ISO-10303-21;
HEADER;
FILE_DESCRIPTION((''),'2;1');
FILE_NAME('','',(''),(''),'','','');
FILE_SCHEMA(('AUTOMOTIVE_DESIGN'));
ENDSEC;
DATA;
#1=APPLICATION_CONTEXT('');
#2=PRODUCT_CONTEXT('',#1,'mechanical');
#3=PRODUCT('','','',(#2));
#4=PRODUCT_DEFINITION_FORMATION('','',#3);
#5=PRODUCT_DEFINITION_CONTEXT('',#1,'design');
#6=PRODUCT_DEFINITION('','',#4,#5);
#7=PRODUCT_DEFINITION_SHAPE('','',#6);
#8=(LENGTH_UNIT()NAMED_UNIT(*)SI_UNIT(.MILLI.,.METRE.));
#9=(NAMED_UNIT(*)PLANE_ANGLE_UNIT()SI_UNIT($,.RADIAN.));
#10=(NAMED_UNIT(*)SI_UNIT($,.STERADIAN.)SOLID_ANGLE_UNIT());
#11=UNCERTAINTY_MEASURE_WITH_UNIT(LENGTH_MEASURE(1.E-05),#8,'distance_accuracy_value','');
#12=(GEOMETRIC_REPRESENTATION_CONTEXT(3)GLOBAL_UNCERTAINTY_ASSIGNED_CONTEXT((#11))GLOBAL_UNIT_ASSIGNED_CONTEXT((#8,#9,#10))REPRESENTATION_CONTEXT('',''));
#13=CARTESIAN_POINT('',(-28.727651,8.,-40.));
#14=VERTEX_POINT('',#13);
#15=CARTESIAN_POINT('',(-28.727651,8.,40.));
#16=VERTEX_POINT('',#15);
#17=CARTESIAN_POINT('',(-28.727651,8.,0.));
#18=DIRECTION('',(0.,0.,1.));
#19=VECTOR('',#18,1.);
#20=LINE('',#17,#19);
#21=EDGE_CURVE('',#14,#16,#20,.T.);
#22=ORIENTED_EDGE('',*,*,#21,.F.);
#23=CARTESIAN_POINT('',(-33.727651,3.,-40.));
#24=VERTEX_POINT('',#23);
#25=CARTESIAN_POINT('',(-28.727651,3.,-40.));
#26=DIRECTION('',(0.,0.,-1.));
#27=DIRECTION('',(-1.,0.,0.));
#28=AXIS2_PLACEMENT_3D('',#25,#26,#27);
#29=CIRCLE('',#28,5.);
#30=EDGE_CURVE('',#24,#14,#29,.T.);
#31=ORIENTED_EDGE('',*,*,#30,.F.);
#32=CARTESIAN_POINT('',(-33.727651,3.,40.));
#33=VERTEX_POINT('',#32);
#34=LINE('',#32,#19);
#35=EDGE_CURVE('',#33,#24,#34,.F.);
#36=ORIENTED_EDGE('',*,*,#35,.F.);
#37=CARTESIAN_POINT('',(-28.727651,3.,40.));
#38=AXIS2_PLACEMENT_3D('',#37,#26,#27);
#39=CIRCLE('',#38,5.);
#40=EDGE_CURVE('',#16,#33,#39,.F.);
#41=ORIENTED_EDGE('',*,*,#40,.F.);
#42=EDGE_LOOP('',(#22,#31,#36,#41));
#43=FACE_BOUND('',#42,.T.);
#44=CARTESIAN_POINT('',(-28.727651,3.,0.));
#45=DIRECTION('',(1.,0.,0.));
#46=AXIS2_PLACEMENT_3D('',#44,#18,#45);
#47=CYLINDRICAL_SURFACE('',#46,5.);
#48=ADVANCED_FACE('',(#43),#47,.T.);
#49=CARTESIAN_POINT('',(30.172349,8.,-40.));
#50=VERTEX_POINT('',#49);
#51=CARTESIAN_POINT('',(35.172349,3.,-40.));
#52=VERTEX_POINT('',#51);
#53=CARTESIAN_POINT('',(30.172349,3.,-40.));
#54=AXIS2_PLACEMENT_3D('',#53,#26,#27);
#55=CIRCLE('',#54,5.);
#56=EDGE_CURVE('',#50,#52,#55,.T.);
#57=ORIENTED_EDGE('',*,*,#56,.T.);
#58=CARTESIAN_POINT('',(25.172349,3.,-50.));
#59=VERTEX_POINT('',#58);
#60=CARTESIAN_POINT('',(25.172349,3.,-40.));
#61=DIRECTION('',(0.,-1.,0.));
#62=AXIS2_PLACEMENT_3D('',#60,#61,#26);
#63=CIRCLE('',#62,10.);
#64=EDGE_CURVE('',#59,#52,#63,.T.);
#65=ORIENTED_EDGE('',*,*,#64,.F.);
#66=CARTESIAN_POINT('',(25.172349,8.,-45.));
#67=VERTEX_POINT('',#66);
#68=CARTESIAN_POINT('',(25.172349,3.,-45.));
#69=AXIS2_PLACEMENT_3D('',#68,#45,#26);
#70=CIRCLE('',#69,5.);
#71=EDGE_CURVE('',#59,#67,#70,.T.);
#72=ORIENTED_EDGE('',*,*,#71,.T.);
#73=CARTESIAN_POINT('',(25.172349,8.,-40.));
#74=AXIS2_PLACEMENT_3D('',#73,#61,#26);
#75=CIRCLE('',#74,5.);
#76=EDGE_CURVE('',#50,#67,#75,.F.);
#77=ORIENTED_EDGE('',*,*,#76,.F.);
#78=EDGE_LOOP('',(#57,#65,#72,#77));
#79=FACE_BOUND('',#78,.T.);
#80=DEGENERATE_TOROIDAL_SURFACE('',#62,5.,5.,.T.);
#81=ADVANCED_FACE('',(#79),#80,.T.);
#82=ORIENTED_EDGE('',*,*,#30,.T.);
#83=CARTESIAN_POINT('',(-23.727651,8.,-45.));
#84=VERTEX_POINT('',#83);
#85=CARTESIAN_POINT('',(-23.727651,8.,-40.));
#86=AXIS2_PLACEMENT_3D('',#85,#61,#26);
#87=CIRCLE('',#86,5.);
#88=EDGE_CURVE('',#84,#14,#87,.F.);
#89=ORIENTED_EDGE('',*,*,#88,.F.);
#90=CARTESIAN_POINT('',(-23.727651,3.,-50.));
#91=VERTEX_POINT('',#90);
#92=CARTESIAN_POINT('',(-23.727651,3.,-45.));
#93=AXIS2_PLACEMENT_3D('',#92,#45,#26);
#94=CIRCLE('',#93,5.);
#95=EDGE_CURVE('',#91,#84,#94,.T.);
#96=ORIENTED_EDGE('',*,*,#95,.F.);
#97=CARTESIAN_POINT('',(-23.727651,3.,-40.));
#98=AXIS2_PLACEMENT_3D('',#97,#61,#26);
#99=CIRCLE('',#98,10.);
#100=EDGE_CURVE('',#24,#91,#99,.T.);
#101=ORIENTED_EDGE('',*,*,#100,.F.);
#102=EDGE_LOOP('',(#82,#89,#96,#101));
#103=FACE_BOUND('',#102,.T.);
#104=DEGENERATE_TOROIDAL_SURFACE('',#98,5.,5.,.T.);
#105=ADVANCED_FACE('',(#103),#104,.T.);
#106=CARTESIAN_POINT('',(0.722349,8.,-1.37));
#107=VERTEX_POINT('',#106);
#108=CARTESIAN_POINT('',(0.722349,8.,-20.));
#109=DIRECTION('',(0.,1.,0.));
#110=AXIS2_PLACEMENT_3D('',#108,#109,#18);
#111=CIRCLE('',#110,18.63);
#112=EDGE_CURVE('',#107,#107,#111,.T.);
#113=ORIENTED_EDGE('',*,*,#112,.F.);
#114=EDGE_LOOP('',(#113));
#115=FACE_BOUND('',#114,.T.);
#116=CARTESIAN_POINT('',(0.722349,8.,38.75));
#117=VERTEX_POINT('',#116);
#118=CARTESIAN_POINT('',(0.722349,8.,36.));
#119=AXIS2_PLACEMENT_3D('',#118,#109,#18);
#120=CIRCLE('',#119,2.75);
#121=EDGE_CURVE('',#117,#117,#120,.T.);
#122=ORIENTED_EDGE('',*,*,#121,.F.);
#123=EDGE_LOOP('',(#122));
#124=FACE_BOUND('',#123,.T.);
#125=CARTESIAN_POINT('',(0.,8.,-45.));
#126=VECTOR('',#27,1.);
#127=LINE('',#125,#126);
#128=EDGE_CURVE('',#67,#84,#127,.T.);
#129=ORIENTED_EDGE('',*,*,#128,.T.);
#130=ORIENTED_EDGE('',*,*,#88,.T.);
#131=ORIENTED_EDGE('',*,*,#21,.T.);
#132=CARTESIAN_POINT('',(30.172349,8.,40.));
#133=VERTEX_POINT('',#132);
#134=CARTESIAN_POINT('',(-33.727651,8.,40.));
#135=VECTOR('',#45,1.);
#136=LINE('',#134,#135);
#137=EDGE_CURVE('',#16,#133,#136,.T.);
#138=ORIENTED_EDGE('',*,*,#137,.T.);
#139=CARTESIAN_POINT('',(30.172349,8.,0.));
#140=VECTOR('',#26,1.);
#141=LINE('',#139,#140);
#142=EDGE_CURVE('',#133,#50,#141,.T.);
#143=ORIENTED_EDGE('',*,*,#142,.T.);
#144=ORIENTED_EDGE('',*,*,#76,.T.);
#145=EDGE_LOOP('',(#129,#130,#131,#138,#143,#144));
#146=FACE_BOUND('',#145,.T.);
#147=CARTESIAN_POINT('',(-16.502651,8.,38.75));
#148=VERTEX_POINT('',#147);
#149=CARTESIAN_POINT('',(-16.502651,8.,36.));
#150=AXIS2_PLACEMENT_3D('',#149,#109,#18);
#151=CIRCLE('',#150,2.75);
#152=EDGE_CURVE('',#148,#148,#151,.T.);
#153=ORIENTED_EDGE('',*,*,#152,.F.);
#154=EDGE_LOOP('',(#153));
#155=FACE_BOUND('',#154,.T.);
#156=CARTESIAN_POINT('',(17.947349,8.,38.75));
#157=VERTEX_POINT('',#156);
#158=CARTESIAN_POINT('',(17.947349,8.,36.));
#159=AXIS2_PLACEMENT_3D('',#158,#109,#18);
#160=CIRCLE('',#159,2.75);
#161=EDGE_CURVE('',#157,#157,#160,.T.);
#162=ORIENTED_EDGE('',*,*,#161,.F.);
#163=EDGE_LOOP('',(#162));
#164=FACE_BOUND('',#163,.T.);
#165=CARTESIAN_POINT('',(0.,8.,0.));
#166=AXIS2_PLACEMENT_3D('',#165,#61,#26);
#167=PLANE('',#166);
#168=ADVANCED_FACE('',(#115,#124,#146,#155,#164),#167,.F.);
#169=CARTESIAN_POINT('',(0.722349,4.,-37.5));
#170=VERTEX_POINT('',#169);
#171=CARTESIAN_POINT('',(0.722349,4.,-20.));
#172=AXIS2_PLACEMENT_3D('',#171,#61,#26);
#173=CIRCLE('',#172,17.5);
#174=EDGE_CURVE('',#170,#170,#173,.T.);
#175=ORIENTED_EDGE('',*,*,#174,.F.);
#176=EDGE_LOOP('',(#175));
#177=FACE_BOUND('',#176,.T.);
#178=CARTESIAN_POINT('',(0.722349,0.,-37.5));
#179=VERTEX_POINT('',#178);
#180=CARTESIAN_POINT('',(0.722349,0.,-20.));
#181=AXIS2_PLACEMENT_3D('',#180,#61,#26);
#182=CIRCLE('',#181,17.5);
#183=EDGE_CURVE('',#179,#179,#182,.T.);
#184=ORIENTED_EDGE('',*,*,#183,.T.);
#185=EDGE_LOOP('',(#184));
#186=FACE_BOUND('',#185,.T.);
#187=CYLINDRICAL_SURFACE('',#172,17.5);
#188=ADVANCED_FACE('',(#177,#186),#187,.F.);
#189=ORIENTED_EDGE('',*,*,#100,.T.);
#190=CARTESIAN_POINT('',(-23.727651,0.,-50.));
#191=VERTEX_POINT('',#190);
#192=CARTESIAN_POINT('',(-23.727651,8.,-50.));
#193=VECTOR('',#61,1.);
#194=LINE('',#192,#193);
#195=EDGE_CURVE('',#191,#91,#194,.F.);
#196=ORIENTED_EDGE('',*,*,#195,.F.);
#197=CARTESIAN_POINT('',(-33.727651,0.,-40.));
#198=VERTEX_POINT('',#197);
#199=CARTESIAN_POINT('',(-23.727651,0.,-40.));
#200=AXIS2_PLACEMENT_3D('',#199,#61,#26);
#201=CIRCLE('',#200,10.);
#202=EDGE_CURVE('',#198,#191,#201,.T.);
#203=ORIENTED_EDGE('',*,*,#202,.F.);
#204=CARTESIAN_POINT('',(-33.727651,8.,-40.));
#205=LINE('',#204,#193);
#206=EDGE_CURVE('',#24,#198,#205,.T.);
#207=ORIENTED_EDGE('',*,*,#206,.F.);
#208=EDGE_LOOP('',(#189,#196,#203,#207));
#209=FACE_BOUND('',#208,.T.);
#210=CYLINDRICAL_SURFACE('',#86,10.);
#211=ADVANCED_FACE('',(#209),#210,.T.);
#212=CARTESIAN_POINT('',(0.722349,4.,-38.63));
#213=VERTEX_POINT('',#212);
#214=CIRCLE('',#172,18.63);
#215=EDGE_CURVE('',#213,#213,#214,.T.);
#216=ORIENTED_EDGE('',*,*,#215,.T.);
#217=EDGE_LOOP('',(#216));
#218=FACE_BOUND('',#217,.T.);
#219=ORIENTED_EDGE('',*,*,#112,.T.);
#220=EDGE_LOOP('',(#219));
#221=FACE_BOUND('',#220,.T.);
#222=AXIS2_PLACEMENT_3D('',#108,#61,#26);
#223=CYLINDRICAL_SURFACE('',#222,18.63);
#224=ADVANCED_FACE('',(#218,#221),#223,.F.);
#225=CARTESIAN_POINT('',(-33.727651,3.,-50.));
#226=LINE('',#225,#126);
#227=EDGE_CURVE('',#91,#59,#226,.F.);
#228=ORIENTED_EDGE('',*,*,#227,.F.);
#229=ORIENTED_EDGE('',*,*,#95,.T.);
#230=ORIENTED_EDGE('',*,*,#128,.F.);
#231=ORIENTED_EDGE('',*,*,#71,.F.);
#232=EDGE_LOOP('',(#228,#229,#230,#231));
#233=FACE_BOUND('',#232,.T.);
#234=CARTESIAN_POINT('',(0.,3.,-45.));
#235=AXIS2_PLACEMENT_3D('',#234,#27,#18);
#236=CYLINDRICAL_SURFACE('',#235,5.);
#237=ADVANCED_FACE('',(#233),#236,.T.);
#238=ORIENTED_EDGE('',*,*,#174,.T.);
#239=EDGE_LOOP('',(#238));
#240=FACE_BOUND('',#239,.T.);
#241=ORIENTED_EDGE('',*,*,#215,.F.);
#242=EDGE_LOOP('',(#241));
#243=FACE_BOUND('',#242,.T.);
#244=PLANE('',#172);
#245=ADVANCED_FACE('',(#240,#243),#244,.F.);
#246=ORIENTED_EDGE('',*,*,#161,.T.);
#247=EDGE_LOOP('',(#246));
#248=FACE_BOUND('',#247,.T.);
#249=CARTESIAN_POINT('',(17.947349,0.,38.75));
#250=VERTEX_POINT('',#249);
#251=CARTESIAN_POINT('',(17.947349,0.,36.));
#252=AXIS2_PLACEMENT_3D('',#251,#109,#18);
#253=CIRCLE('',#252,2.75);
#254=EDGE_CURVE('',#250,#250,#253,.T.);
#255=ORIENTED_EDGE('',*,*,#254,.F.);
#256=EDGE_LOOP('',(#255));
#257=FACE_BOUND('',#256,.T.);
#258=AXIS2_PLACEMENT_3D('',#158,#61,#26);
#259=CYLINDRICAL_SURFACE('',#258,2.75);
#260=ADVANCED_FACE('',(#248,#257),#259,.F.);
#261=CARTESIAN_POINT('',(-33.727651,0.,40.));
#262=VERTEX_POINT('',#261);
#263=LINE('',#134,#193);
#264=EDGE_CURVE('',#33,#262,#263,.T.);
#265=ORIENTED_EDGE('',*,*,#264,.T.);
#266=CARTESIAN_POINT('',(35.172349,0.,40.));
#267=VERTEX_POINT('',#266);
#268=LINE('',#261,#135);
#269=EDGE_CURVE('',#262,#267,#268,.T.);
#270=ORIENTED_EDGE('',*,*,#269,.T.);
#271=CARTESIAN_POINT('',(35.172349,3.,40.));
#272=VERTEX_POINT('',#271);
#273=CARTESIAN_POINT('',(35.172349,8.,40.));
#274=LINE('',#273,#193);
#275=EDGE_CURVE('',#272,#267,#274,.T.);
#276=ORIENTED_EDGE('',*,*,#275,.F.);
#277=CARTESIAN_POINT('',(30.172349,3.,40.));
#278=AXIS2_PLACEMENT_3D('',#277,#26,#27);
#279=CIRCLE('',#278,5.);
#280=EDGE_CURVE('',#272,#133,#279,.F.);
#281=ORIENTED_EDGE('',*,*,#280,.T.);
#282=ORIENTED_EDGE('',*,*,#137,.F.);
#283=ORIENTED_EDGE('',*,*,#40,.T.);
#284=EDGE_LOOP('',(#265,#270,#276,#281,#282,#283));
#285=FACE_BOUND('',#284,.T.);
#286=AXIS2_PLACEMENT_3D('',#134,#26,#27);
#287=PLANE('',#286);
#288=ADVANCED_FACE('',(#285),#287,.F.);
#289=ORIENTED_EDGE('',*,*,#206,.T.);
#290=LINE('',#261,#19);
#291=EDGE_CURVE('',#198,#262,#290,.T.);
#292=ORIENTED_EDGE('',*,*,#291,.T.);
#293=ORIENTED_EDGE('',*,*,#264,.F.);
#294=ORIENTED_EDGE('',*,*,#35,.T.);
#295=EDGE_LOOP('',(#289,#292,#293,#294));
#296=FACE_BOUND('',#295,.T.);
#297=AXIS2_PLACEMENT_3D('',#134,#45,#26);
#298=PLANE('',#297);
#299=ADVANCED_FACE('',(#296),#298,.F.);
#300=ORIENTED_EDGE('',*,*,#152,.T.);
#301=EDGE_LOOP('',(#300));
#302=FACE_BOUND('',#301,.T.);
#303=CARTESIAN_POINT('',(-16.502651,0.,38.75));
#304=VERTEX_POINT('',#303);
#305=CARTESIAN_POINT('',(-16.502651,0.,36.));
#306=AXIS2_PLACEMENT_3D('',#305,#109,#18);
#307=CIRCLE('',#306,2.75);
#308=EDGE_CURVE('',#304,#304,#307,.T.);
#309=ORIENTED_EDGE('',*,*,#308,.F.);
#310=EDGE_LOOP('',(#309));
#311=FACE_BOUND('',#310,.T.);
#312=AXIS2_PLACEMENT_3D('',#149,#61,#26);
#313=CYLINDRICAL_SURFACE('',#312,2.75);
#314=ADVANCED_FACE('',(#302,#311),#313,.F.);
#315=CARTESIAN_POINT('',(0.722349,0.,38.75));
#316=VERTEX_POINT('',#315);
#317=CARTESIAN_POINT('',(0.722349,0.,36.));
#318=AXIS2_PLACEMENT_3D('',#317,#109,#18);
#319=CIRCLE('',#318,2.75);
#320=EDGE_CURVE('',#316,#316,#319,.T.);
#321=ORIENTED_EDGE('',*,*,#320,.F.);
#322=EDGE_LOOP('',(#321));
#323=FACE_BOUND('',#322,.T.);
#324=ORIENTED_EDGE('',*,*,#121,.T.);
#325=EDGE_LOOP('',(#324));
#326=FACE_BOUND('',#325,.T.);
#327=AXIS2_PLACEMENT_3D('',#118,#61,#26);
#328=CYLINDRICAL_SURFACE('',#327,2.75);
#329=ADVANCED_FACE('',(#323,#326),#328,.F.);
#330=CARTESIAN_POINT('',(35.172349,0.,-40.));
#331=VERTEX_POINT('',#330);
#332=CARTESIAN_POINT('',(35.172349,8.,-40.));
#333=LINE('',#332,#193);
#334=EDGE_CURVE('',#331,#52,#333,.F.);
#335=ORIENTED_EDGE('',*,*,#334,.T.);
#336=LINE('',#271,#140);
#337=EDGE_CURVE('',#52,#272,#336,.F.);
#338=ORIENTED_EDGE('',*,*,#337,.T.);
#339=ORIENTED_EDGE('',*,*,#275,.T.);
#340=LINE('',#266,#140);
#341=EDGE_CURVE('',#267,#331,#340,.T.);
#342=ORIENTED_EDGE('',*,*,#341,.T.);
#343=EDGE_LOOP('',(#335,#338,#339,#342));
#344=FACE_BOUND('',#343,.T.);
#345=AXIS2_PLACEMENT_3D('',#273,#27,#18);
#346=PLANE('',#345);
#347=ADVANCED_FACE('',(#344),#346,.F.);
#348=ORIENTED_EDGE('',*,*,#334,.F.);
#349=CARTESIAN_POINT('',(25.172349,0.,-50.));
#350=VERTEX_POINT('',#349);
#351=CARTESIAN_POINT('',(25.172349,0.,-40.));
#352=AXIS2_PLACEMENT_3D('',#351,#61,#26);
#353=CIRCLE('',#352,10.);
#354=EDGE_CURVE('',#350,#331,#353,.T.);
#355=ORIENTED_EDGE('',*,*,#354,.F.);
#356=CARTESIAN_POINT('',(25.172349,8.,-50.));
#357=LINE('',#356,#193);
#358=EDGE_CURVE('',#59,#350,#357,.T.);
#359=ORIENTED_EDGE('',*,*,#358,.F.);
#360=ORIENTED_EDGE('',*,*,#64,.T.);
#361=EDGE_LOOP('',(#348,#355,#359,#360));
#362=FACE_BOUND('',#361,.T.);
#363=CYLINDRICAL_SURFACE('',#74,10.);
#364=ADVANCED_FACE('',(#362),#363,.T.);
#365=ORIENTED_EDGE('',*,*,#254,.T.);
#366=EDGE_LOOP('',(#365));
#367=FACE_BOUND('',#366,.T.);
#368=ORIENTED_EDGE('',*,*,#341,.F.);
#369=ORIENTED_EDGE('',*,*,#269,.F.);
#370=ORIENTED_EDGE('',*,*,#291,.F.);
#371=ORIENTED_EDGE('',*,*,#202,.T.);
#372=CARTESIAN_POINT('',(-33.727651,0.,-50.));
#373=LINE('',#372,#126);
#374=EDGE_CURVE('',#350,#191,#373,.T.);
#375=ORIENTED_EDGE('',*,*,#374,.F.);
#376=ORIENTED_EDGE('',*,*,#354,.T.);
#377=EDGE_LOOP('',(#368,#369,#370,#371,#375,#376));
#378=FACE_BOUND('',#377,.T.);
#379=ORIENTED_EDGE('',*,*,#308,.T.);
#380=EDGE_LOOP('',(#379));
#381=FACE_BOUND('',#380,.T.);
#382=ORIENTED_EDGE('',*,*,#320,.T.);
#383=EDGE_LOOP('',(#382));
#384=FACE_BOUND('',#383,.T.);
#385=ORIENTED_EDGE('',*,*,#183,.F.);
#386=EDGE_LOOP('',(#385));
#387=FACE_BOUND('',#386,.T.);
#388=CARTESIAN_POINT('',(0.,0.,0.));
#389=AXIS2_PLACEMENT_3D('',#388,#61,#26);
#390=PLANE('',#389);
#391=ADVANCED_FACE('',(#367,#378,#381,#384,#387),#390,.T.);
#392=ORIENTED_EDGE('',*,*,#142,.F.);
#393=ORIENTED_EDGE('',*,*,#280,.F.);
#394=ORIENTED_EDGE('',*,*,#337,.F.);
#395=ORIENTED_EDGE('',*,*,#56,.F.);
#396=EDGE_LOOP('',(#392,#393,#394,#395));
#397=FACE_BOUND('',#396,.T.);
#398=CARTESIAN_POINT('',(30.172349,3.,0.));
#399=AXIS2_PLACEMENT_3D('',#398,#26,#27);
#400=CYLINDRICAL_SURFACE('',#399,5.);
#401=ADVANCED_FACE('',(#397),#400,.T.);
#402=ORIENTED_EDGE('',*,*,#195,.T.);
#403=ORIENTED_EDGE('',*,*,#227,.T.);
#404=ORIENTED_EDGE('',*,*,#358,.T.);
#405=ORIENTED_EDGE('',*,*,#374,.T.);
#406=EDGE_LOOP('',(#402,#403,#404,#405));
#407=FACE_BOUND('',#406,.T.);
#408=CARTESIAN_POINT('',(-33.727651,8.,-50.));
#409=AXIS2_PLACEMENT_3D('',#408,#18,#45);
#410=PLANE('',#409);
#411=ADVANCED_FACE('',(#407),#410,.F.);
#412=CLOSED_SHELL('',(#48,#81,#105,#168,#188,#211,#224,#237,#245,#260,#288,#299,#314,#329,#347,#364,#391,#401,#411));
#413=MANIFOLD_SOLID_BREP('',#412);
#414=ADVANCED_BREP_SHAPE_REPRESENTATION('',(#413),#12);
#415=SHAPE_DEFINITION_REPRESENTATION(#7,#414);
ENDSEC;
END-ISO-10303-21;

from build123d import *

# Parameters (mm, degrees)
SKETCH1_W           = 68.9
SKETCH1_H           = 90
SKETCH1_R           = 18.63
SKETCH1_R_2         = 2.75
BOSS_EXTRUDE1_DEPTH = 8
FILLET1_R           = 10
FILLET2_R           = 5
SKETCH2_R           = 18.63
SKETCH2_R_2         = 17.5
BOSS_EXTRUDE2_DEPTH = 4


with BuildPart() as part:
    # Sketch1 → Boss-Extrude1 (new body)
    with BuildSketch(Plane(origin=(0, 0, 0), x_dir=(1, 0, 0), z_dir=(0, 1, 0))):
        with Locations((0.722348924, 5)):
            Rectangle(SKETCH1_W, SKETCH1_H)
        with Locations(Location((0.722348924, 20, 0), (0, 0, 270))):
            Circle(SKETCH1_R, mode=Mode.SUBTRACT)
        with Locations(Location((0.722348924, -36, 0), (0, 0, 270))):
            Circle(SKETCH1_R_2, mode=Mode.SUBTRACT)
        with Locations(Location((-16.502651076, -36, 0), (0, 0, 270))):
            Circle(SKETCH1_R_2, mode=Mode.SUBTRACT)
        with Locations(Location((17.947348924, -36, 0), (0, 0, 270))):
            Circle(SKETCH1_R_2, mode=Mode.SUBTRACT)
    extrude(amount=BOSS_EXTRUDE1_DEPTH)

    # Fillet1
    fillet1_edges = [part.edges().sort_by_distance(p)[0] for p in [
        (-33.727651076, 4, -50),
        (35.172348924, 4, -50),
    ]]
    fillet(fillet1_edges, radius=FILLET1_R)

    # Fillet2
    fillet2_edges = [part.edges().sort_by_distance(p)[0] for p in [
        (35.172348924, 8, 0),
        (0.722348924, 8, -50),
        (-33.727651076, 8, 0),
        (-30.798718888, 8, -47.071067812),
        (32.243416735, 8, -47.071067812),
    ]]
    fillet(fillet2_edges, radius=FILLET2_R)

    # Sketch2 → Boss-Extrude2 (add)
    with BuildSketch(Plane.XZ):
        with Locations(Location((0.722348924, -20, 0), (0, 0, 270))):
            Circle(SKETCH2_R)
        with Locations(Location((0.722348924, -20, 0), (0, 0, 270))):
            Circle(SKETCH2_R_2, mode=Mode.SUBTRACT)
    extrude(amount=-BOSS_EXTRUDE2_DEPTH)


solid = part.part
